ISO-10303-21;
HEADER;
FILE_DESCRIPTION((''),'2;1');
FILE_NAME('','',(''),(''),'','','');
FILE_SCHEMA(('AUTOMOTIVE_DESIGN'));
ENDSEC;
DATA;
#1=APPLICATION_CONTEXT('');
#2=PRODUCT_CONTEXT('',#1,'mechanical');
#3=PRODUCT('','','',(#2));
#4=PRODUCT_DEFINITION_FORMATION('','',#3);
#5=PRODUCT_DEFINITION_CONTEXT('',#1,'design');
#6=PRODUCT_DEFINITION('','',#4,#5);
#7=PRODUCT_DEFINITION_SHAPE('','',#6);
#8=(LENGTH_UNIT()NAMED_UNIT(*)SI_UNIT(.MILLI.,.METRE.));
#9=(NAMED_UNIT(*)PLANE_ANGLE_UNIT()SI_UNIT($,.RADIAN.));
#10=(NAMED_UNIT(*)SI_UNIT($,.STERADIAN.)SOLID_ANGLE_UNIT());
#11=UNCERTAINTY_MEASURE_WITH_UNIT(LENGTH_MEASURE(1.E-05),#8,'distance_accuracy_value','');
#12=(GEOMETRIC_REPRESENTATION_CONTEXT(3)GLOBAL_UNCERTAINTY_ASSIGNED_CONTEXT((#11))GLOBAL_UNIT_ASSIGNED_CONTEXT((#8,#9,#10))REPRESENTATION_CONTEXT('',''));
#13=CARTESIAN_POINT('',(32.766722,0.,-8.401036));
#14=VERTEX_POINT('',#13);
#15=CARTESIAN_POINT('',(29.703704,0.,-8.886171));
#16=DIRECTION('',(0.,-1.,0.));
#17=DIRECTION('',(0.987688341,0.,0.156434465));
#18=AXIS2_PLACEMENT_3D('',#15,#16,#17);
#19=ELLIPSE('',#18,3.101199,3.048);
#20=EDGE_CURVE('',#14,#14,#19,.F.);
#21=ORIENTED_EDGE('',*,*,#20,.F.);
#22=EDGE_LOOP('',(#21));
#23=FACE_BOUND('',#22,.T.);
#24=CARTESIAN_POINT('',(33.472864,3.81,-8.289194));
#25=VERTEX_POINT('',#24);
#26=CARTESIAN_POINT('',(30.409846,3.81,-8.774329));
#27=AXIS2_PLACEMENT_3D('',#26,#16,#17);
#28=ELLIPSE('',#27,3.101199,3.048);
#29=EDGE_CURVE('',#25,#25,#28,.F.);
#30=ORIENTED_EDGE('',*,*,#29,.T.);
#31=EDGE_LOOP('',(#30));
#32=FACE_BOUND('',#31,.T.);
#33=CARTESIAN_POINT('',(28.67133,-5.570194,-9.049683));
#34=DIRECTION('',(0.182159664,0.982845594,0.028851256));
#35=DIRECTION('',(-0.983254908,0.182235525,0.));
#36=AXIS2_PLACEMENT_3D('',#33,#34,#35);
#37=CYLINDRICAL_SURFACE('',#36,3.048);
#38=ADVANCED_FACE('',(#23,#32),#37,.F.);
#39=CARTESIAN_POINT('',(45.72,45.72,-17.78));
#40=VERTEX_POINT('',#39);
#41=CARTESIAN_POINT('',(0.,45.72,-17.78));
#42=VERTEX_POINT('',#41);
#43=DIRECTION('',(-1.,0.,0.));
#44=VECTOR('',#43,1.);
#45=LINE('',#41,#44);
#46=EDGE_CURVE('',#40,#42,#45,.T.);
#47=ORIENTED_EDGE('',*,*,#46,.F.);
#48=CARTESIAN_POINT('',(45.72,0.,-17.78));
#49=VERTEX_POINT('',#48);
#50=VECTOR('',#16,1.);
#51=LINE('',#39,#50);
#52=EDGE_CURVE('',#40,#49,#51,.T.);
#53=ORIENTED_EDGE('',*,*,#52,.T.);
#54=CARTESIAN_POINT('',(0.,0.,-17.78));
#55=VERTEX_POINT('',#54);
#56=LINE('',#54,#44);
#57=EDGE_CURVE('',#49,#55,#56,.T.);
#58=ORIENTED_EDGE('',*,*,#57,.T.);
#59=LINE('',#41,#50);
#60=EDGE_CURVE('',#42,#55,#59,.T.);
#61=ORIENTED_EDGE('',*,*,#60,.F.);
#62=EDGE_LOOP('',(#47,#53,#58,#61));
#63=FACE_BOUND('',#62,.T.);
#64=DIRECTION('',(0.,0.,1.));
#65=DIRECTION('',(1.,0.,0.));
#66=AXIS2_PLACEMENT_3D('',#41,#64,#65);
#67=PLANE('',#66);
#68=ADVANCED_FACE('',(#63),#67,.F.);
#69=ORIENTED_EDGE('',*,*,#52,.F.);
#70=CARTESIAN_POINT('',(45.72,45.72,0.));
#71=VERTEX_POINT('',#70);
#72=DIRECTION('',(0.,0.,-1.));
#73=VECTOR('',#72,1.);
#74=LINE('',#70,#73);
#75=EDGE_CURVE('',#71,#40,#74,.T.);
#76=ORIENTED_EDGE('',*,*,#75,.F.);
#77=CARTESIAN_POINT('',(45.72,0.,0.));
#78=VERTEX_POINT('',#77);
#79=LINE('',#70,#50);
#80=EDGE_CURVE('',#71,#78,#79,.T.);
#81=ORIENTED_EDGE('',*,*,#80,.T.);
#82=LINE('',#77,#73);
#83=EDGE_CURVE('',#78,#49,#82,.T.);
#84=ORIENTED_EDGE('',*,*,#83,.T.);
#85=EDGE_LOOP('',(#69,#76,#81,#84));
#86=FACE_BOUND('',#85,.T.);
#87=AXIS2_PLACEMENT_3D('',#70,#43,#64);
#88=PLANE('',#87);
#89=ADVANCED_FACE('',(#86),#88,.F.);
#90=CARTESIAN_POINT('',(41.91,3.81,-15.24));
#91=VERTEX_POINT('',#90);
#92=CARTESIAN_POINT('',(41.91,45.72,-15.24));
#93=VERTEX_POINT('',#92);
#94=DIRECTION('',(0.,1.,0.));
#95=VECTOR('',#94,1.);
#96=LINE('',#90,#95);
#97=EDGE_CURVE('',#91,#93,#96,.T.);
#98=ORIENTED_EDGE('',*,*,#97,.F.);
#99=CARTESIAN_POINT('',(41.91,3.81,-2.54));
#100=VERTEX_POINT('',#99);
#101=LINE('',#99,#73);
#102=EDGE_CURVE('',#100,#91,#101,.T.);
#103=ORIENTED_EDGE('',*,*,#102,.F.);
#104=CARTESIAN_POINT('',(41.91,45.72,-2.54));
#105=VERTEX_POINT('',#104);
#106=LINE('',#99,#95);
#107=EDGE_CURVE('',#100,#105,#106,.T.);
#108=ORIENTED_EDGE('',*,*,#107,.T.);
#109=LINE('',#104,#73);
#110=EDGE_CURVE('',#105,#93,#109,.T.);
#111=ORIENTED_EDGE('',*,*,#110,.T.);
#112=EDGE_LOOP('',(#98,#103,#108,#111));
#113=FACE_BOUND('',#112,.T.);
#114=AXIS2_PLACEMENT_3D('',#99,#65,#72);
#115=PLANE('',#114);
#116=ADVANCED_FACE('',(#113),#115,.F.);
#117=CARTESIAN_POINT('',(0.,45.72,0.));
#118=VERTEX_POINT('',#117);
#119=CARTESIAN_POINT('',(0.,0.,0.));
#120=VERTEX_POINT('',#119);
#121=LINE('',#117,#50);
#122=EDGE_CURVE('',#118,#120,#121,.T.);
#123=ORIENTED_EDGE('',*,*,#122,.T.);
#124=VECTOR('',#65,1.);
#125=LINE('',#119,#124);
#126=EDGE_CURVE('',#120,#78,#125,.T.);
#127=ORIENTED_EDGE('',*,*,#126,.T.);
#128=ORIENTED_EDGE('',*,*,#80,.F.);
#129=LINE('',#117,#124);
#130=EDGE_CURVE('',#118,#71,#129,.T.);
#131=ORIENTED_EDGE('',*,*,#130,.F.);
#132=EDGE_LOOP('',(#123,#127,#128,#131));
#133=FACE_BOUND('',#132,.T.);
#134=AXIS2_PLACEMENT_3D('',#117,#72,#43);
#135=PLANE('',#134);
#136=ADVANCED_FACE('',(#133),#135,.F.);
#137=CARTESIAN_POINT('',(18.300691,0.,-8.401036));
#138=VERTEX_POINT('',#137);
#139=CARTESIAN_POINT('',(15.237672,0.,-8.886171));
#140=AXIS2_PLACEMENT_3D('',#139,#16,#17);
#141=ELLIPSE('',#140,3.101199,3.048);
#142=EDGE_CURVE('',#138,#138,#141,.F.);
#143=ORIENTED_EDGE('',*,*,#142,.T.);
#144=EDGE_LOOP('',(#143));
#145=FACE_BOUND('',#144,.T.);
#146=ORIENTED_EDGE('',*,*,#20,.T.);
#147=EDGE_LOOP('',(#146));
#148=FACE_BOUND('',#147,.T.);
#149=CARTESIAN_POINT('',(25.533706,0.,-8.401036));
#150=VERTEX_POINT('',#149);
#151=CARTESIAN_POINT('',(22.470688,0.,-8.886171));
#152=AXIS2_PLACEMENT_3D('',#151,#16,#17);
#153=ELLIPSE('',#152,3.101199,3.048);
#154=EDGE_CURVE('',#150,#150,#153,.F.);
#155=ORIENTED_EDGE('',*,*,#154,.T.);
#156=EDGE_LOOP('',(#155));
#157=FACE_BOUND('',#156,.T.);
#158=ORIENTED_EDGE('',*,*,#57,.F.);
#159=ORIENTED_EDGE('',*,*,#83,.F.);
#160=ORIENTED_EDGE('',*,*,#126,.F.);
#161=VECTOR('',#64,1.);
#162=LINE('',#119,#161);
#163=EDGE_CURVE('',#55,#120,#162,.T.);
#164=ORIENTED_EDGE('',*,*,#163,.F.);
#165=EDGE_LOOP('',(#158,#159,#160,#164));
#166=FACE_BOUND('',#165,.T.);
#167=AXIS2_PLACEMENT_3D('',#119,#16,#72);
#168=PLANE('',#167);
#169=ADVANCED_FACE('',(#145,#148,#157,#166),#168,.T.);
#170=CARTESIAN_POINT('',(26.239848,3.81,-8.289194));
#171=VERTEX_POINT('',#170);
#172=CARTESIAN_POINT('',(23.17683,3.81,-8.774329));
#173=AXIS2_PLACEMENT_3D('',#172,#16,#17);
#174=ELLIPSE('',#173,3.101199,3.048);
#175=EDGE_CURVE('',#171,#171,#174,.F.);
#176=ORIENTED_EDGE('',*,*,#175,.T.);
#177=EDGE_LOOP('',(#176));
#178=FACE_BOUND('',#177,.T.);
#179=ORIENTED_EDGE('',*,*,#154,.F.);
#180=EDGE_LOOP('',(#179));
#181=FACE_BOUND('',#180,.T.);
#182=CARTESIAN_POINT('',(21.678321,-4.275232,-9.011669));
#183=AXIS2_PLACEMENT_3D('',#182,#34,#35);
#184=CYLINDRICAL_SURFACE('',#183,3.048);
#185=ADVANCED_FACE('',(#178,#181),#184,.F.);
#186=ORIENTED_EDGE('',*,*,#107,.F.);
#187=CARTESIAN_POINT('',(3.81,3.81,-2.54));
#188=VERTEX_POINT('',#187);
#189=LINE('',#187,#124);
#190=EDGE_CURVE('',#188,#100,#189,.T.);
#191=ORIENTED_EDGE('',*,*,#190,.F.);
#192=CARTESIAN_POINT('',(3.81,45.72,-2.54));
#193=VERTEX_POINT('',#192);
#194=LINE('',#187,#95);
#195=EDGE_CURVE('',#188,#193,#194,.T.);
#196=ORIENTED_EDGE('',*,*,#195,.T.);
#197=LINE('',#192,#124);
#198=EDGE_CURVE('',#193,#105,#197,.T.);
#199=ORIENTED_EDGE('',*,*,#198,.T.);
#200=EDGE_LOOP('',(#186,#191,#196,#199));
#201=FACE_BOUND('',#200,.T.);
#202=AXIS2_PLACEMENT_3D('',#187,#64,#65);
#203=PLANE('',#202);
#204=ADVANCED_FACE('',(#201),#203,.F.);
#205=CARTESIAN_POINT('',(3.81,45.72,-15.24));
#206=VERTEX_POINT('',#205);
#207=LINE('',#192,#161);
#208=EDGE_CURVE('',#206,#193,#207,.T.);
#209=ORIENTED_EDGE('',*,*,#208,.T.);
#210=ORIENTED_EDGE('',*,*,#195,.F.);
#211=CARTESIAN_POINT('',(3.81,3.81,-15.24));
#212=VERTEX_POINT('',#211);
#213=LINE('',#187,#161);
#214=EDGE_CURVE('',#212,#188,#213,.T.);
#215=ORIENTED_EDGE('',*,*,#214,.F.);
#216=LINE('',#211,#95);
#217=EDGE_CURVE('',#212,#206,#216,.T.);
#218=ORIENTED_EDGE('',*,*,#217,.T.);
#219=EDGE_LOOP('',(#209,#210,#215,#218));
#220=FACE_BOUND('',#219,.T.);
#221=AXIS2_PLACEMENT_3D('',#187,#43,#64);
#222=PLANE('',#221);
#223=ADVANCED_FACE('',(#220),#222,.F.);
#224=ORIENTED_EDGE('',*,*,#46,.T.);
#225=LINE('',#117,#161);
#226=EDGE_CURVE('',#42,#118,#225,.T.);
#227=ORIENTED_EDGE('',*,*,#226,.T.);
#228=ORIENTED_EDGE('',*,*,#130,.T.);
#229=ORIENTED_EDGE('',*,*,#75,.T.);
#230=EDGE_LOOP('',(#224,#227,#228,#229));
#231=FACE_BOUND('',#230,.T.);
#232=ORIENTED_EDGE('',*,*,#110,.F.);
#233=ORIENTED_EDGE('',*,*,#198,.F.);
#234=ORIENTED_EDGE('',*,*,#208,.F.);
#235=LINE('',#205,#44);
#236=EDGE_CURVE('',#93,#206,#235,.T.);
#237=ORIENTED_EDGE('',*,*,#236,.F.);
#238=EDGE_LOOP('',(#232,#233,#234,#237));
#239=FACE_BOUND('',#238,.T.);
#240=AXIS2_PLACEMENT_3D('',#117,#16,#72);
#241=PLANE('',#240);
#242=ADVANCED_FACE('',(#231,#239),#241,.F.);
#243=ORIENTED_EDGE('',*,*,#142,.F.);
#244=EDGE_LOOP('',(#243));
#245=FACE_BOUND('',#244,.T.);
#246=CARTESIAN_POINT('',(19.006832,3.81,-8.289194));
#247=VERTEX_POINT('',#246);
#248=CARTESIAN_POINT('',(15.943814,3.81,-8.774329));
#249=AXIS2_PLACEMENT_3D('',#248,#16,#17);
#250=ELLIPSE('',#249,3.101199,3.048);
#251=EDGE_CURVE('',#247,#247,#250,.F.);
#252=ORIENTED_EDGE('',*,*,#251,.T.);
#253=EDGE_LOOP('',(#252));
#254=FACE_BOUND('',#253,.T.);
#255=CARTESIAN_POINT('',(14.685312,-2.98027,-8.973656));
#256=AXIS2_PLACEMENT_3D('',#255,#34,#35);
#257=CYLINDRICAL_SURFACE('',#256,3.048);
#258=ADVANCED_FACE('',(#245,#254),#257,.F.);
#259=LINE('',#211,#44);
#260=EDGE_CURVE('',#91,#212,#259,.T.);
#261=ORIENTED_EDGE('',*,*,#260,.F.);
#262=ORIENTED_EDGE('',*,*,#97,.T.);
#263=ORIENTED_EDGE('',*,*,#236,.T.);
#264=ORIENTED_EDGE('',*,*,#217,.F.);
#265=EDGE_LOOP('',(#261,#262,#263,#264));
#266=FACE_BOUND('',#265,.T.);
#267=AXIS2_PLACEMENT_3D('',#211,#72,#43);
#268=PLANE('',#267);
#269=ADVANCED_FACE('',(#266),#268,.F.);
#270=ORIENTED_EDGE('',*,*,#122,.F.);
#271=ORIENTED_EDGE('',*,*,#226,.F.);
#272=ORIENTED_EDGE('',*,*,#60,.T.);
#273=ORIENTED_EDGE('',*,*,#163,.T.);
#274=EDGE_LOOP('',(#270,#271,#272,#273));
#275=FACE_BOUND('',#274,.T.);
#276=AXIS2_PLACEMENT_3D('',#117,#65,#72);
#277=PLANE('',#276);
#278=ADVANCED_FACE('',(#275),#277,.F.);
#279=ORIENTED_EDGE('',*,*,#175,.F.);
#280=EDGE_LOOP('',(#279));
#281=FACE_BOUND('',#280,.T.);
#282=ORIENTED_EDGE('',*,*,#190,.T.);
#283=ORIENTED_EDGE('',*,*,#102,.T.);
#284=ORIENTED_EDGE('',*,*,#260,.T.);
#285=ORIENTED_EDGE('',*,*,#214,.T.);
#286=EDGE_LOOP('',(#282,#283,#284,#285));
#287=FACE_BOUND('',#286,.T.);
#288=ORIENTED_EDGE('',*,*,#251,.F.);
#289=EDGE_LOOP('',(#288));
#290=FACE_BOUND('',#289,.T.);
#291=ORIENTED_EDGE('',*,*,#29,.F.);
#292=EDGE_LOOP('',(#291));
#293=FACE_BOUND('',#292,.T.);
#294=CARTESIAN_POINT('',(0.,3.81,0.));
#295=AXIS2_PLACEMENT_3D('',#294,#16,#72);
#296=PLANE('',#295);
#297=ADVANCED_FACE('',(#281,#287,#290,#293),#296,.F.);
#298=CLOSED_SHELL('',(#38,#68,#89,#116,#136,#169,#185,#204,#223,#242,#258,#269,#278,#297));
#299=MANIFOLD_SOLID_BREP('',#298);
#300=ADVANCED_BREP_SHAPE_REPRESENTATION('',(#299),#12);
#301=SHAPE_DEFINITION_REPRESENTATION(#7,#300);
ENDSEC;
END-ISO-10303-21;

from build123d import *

# Parameters (mm, degrees)
SKETCH1_W               = 45.72
SKETCH1_H               = 17.78
BOSS_EXTRUDE1_DEPTH     = 45.72
SKETCH2_W               = 38.1
SKETCH2_H               = 12.7
CUT_EXTRUDE1_DEPTH      = 41.91
SKETCH6_R               = 3.048
CUT_EXTRUDE2_DEPTH      = 1.512975339
CUT_EXTRUDE2_DEPTH_BACK = 15.24


with BuildPart() as part:
    # Sketch1 → Boss-Extrude1 (new body)
    with BuildSketch(Plane(origin=(0, 0, 0), x_dir=(1, 0, 0), z_dir=(0, 1, 0))):
        with Locations((22.86, 8.89)):
            Rectangle(SKETCH1_W, SKETCH1_H)
    extrude(amount=BOSS_EXTRUDE1_DEPTH)

    # Sketch2 → Cut-Extrude1 (cut)
    with BuildSketch(Plane(origin=(0, 45.72, 0), x_dir=(1, 0, 0), z_dir=(0, 1, 0))):
        with Locations((22.86, 8.89)):
            Rectangle(SKETCH2_W, SKETCH2_H)
    extrude(amount=-CUT_EXTRUDE1_DEPTH, mode=Mode.SUBTRACT)

    # Sketch6 → Cut-Extrude2 (cut, two sides)
    with BuildSketch(Plane(origin=(0, 0, 0), x_dir=(-0.983268965, 0.18208123, 0.005344962), z_dir=(-0.182159664, -0.982845594, -0.028851256))) as cut_extrude2_sk:
        with Locations((-22.14222649, 8.882344385)):
            Circle(SKETCH6_R)
        with Locations((-15.03022649, 8.882344385)):
            Circle(SKETCH6_R)
        with Locations((-29.25422649, 8.882344385)):
            Circle(SKETCH6_R)
    extrude(amount=CUT_EXTRUDE2_DEPTH, mode=Mode.SUBTRACT)
    extrude(cut_extrude2_sk.sketch, amount=-CUT_EXTRUDE2_DEPTH_BACK, mode=Mode.SUBTRACT)


solid = part.part
